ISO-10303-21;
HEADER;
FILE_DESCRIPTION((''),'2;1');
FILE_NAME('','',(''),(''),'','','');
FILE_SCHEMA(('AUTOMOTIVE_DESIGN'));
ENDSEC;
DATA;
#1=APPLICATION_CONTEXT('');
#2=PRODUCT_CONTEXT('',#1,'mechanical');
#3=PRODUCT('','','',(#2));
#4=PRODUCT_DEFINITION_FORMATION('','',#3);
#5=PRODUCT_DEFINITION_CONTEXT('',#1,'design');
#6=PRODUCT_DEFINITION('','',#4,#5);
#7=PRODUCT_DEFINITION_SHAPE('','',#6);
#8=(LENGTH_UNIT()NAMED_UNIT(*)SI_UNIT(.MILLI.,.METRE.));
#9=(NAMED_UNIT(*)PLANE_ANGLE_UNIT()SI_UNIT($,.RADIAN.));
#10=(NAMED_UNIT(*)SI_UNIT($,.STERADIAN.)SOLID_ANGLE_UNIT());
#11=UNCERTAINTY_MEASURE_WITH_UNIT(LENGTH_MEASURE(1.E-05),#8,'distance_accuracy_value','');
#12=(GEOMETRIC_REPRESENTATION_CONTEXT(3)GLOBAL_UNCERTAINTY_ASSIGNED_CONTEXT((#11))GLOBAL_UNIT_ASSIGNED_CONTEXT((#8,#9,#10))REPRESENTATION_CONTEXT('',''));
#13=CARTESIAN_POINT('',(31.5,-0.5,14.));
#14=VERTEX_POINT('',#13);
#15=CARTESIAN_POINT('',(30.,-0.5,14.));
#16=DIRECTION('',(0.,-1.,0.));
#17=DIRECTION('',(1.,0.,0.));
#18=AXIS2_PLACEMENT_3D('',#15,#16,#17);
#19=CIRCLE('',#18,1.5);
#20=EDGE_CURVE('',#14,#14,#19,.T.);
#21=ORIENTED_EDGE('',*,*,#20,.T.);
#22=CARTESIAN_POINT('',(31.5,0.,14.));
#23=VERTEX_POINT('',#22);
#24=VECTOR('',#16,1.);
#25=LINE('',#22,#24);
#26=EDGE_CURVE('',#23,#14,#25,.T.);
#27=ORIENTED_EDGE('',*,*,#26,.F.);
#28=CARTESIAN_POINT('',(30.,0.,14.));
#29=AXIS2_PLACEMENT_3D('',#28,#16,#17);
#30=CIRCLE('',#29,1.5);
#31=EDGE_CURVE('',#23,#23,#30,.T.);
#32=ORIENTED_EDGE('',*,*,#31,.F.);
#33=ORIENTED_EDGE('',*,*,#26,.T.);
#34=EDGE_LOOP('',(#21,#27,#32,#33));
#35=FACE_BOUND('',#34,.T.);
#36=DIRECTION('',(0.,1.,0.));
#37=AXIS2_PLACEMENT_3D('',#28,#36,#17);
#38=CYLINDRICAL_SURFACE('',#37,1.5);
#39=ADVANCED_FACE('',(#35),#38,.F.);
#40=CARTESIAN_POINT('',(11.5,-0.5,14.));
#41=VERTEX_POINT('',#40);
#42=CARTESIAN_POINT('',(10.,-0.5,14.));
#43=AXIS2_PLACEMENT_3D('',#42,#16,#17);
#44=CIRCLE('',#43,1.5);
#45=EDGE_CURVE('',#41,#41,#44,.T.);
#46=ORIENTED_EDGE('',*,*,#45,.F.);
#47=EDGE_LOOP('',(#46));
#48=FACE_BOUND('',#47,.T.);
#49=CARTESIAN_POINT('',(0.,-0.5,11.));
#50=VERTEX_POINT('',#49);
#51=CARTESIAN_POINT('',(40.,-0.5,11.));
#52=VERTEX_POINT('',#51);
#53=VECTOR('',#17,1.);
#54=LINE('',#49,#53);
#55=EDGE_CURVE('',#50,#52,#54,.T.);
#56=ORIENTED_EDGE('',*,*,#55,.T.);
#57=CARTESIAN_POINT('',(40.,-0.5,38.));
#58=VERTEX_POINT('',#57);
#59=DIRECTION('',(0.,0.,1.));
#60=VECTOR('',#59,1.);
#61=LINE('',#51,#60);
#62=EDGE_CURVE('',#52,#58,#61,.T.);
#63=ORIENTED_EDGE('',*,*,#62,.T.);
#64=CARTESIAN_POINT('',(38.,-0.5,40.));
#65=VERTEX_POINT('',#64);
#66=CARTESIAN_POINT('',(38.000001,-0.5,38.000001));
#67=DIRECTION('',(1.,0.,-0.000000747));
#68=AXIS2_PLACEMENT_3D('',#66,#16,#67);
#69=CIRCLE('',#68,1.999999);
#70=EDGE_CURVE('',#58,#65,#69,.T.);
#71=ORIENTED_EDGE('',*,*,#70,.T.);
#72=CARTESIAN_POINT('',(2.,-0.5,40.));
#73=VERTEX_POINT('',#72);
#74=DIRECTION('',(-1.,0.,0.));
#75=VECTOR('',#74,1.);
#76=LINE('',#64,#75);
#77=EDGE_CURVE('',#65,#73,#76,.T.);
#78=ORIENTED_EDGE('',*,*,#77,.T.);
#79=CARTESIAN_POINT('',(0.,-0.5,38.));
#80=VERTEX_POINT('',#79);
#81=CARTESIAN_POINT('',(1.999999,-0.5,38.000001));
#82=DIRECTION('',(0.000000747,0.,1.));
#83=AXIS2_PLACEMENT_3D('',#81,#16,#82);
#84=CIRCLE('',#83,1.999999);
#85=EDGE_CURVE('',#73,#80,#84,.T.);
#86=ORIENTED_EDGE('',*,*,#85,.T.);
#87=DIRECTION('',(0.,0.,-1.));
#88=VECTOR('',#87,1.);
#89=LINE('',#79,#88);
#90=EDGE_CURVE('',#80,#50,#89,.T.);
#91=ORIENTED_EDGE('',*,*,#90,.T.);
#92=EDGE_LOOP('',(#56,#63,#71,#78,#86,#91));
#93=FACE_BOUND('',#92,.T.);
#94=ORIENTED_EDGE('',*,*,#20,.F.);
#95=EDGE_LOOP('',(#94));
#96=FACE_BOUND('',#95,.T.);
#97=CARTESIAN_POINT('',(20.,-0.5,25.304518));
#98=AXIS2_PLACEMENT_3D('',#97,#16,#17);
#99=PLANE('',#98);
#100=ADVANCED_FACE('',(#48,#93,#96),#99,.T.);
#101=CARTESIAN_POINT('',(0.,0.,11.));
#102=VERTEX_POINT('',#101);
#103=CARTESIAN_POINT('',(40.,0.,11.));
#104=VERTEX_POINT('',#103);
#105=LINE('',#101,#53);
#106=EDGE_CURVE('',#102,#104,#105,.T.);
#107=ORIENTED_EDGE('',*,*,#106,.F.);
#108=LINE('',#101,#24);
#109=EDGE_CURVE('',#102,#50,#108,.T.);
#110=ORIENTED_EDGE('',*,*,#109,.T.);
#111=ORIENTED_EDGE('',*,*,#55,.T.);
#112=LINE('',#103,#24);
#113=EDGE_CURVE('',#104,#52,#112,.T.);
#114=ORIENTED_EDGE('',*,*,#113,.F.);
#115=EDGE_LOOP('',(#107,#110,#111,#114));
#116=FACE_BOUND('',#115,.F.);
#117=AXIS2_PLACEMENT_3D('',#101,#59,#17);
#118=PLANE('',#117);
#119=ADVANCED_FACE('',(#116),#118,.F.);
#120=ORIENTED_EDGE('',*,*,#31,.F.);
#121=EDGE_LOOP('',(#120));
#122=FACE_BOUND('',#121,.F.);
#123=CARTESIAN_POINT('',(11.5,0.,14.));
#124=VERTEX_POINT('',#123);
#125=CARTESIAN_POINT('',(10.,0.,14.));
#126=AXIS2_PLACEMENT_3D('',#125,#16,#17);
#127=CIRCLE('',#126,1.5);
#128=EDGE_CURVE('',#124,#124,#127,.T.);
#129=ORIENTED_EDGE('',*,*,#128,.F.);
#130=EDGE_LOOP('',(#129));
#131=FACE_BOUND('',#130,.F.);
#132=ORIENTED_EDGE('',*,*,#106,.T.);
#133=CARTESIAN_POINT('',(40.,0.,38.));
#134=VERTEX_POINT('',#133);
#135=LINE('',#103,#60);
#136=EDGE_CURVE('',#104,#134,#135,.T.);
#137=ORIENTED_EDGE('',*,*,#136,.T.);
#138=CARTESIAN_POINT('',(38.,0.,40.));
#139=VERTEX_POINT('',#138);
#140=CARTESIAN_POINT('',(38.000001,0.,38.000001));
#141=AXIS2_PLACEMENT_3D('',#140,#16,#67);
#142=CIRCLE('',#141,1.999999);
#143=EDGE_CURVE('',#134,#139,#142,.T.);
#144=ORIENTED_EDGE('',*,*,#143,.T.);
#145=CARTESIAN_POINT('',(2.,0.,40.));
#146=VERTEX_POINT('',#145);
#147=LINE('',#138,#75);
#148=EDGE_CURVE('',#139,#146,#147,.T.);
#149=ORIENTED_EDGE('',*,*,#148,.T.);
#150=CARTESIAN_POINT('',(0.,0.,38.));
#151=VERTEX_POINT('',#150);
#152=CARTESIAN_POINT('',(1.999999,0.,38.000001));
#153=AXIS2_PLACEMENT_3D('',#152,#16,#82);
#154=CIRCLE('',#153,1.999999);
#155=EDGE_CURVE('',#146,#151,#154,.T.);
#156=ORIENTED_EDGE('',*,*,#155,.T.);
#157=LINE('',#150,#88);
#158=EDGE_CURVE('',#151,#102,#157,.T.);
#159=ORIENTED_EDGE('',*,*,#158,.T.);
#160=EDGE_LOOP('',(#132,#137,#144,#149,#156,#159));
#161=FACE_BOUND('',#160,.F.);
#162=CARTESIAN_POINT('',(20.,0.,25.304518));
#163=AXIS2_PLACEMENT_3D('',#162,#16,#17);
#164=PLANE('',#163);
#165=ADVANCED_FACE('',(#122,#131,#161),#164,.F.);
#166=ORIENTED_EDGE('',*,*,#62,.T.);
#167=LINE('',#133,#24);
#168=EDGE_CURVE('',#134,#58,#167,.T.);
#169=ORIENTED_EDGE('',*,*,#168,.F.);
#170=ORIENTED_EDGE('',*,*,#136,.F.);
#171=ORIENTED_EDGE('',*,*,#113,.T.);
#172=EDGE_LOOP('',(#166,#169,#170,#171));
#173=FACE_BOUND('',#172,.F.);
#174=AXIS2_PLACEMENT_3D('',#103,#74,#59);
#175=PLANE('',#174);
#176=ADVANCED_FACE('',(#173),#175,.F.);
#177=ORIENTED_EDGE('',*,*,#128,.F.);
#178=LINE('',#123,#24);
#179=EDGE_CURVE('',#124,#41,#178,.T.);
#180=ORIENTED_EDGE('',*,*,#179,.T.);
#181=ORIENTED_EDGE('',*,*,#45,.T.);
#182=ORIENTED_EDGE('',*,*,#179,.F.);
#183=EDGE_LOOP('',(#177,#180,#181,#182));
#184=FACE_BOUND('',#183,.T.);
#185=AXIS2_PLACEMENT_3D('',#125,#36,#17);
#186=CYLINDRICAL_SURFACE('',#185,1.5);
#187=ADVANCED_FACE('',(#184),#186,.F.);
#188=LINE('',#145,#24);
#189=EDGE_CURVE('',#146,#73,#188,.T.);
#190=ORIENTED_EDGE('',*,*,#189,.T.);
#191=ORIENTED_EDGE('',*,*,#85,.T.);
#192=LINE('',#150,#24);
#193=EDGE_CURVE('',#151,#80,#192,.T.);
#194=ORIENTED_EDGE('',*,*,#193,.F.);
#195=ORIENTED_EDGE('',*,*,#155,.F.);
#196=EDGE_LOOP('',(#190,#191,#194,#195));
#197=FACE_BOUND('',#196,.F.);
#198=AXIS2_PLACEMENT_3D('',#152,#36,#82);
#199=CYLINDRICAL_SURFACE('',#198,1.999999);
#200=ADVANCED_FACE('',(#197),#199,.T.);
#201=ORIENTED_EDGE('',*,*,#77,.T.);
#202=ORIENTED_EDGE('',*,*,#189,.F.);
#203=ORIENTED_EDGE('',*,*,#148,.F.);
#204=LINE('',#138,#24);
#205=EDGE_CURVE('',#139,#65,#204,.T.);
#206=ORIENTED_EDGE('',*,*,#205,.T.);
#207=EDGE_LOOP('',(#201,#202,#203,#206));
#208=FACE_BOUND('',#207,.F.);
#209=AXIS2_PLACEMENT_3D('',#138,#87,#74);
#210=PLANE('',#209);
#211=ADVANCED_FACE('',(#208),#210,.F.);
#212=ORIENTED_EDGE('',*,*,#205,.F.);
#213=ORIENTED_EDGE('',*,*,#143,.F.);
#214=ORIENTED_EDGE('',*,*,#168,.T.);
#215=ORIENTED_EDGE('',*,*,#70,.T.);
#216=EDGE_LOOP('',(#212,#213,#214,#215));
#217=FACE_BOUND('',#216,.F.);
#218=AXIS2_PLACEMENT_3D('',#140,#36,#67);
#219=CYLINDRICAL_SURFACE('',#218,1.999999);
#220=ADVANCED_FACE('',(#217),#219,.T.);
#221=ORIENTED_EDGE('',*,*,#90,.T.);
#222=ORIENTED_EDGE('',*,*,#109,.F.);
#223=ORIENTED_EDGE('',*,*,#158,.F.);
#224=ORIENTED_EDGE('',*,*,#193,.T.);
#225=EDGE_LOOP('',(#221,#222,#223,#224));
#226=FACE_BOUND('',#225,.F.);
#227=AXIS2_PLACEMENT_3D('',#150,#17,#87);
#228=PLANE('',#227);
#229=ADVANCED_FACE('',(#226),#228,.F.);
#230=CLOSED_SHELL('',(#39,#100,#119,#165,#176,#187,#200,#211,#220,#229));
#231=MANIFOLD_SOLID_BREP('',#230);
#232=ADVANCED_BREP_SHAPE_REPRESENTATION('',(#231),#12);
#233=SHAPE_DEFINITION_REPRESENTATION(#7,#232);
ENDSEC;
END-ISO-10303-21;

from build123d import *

# Parameters (mm, degrees)
F0_R     = 1.5
F1_DEPTH = 0.5


with BuildPart() as f1:
    # F0 (on Front) → F1 (new body)
    with BuildSketch(Plane.XZ):
        with BuildLine():
            Line((38, 40), (2, 40))
            ThreePointArc((2, 40), (0.585786, 39.414214), (0, 38))
            Line((0, 38), (0, 11))
            Line((0, 11), (40, 11))
            Line((40, 11), (40, 38))
            ThreePointArc((40, 38), (39.414214, 39.414214), (38, 40))
        make_face()
        with Locations((10, 14)):
            Circle(F0_R, mode=Mode.SUBTRACT)
        with Locations((30, 14)):
            Circle(F0_R, mode=Mode.SUBTRACT)
    extrude(amount=F1_DEPTH)


solid = f1.part
